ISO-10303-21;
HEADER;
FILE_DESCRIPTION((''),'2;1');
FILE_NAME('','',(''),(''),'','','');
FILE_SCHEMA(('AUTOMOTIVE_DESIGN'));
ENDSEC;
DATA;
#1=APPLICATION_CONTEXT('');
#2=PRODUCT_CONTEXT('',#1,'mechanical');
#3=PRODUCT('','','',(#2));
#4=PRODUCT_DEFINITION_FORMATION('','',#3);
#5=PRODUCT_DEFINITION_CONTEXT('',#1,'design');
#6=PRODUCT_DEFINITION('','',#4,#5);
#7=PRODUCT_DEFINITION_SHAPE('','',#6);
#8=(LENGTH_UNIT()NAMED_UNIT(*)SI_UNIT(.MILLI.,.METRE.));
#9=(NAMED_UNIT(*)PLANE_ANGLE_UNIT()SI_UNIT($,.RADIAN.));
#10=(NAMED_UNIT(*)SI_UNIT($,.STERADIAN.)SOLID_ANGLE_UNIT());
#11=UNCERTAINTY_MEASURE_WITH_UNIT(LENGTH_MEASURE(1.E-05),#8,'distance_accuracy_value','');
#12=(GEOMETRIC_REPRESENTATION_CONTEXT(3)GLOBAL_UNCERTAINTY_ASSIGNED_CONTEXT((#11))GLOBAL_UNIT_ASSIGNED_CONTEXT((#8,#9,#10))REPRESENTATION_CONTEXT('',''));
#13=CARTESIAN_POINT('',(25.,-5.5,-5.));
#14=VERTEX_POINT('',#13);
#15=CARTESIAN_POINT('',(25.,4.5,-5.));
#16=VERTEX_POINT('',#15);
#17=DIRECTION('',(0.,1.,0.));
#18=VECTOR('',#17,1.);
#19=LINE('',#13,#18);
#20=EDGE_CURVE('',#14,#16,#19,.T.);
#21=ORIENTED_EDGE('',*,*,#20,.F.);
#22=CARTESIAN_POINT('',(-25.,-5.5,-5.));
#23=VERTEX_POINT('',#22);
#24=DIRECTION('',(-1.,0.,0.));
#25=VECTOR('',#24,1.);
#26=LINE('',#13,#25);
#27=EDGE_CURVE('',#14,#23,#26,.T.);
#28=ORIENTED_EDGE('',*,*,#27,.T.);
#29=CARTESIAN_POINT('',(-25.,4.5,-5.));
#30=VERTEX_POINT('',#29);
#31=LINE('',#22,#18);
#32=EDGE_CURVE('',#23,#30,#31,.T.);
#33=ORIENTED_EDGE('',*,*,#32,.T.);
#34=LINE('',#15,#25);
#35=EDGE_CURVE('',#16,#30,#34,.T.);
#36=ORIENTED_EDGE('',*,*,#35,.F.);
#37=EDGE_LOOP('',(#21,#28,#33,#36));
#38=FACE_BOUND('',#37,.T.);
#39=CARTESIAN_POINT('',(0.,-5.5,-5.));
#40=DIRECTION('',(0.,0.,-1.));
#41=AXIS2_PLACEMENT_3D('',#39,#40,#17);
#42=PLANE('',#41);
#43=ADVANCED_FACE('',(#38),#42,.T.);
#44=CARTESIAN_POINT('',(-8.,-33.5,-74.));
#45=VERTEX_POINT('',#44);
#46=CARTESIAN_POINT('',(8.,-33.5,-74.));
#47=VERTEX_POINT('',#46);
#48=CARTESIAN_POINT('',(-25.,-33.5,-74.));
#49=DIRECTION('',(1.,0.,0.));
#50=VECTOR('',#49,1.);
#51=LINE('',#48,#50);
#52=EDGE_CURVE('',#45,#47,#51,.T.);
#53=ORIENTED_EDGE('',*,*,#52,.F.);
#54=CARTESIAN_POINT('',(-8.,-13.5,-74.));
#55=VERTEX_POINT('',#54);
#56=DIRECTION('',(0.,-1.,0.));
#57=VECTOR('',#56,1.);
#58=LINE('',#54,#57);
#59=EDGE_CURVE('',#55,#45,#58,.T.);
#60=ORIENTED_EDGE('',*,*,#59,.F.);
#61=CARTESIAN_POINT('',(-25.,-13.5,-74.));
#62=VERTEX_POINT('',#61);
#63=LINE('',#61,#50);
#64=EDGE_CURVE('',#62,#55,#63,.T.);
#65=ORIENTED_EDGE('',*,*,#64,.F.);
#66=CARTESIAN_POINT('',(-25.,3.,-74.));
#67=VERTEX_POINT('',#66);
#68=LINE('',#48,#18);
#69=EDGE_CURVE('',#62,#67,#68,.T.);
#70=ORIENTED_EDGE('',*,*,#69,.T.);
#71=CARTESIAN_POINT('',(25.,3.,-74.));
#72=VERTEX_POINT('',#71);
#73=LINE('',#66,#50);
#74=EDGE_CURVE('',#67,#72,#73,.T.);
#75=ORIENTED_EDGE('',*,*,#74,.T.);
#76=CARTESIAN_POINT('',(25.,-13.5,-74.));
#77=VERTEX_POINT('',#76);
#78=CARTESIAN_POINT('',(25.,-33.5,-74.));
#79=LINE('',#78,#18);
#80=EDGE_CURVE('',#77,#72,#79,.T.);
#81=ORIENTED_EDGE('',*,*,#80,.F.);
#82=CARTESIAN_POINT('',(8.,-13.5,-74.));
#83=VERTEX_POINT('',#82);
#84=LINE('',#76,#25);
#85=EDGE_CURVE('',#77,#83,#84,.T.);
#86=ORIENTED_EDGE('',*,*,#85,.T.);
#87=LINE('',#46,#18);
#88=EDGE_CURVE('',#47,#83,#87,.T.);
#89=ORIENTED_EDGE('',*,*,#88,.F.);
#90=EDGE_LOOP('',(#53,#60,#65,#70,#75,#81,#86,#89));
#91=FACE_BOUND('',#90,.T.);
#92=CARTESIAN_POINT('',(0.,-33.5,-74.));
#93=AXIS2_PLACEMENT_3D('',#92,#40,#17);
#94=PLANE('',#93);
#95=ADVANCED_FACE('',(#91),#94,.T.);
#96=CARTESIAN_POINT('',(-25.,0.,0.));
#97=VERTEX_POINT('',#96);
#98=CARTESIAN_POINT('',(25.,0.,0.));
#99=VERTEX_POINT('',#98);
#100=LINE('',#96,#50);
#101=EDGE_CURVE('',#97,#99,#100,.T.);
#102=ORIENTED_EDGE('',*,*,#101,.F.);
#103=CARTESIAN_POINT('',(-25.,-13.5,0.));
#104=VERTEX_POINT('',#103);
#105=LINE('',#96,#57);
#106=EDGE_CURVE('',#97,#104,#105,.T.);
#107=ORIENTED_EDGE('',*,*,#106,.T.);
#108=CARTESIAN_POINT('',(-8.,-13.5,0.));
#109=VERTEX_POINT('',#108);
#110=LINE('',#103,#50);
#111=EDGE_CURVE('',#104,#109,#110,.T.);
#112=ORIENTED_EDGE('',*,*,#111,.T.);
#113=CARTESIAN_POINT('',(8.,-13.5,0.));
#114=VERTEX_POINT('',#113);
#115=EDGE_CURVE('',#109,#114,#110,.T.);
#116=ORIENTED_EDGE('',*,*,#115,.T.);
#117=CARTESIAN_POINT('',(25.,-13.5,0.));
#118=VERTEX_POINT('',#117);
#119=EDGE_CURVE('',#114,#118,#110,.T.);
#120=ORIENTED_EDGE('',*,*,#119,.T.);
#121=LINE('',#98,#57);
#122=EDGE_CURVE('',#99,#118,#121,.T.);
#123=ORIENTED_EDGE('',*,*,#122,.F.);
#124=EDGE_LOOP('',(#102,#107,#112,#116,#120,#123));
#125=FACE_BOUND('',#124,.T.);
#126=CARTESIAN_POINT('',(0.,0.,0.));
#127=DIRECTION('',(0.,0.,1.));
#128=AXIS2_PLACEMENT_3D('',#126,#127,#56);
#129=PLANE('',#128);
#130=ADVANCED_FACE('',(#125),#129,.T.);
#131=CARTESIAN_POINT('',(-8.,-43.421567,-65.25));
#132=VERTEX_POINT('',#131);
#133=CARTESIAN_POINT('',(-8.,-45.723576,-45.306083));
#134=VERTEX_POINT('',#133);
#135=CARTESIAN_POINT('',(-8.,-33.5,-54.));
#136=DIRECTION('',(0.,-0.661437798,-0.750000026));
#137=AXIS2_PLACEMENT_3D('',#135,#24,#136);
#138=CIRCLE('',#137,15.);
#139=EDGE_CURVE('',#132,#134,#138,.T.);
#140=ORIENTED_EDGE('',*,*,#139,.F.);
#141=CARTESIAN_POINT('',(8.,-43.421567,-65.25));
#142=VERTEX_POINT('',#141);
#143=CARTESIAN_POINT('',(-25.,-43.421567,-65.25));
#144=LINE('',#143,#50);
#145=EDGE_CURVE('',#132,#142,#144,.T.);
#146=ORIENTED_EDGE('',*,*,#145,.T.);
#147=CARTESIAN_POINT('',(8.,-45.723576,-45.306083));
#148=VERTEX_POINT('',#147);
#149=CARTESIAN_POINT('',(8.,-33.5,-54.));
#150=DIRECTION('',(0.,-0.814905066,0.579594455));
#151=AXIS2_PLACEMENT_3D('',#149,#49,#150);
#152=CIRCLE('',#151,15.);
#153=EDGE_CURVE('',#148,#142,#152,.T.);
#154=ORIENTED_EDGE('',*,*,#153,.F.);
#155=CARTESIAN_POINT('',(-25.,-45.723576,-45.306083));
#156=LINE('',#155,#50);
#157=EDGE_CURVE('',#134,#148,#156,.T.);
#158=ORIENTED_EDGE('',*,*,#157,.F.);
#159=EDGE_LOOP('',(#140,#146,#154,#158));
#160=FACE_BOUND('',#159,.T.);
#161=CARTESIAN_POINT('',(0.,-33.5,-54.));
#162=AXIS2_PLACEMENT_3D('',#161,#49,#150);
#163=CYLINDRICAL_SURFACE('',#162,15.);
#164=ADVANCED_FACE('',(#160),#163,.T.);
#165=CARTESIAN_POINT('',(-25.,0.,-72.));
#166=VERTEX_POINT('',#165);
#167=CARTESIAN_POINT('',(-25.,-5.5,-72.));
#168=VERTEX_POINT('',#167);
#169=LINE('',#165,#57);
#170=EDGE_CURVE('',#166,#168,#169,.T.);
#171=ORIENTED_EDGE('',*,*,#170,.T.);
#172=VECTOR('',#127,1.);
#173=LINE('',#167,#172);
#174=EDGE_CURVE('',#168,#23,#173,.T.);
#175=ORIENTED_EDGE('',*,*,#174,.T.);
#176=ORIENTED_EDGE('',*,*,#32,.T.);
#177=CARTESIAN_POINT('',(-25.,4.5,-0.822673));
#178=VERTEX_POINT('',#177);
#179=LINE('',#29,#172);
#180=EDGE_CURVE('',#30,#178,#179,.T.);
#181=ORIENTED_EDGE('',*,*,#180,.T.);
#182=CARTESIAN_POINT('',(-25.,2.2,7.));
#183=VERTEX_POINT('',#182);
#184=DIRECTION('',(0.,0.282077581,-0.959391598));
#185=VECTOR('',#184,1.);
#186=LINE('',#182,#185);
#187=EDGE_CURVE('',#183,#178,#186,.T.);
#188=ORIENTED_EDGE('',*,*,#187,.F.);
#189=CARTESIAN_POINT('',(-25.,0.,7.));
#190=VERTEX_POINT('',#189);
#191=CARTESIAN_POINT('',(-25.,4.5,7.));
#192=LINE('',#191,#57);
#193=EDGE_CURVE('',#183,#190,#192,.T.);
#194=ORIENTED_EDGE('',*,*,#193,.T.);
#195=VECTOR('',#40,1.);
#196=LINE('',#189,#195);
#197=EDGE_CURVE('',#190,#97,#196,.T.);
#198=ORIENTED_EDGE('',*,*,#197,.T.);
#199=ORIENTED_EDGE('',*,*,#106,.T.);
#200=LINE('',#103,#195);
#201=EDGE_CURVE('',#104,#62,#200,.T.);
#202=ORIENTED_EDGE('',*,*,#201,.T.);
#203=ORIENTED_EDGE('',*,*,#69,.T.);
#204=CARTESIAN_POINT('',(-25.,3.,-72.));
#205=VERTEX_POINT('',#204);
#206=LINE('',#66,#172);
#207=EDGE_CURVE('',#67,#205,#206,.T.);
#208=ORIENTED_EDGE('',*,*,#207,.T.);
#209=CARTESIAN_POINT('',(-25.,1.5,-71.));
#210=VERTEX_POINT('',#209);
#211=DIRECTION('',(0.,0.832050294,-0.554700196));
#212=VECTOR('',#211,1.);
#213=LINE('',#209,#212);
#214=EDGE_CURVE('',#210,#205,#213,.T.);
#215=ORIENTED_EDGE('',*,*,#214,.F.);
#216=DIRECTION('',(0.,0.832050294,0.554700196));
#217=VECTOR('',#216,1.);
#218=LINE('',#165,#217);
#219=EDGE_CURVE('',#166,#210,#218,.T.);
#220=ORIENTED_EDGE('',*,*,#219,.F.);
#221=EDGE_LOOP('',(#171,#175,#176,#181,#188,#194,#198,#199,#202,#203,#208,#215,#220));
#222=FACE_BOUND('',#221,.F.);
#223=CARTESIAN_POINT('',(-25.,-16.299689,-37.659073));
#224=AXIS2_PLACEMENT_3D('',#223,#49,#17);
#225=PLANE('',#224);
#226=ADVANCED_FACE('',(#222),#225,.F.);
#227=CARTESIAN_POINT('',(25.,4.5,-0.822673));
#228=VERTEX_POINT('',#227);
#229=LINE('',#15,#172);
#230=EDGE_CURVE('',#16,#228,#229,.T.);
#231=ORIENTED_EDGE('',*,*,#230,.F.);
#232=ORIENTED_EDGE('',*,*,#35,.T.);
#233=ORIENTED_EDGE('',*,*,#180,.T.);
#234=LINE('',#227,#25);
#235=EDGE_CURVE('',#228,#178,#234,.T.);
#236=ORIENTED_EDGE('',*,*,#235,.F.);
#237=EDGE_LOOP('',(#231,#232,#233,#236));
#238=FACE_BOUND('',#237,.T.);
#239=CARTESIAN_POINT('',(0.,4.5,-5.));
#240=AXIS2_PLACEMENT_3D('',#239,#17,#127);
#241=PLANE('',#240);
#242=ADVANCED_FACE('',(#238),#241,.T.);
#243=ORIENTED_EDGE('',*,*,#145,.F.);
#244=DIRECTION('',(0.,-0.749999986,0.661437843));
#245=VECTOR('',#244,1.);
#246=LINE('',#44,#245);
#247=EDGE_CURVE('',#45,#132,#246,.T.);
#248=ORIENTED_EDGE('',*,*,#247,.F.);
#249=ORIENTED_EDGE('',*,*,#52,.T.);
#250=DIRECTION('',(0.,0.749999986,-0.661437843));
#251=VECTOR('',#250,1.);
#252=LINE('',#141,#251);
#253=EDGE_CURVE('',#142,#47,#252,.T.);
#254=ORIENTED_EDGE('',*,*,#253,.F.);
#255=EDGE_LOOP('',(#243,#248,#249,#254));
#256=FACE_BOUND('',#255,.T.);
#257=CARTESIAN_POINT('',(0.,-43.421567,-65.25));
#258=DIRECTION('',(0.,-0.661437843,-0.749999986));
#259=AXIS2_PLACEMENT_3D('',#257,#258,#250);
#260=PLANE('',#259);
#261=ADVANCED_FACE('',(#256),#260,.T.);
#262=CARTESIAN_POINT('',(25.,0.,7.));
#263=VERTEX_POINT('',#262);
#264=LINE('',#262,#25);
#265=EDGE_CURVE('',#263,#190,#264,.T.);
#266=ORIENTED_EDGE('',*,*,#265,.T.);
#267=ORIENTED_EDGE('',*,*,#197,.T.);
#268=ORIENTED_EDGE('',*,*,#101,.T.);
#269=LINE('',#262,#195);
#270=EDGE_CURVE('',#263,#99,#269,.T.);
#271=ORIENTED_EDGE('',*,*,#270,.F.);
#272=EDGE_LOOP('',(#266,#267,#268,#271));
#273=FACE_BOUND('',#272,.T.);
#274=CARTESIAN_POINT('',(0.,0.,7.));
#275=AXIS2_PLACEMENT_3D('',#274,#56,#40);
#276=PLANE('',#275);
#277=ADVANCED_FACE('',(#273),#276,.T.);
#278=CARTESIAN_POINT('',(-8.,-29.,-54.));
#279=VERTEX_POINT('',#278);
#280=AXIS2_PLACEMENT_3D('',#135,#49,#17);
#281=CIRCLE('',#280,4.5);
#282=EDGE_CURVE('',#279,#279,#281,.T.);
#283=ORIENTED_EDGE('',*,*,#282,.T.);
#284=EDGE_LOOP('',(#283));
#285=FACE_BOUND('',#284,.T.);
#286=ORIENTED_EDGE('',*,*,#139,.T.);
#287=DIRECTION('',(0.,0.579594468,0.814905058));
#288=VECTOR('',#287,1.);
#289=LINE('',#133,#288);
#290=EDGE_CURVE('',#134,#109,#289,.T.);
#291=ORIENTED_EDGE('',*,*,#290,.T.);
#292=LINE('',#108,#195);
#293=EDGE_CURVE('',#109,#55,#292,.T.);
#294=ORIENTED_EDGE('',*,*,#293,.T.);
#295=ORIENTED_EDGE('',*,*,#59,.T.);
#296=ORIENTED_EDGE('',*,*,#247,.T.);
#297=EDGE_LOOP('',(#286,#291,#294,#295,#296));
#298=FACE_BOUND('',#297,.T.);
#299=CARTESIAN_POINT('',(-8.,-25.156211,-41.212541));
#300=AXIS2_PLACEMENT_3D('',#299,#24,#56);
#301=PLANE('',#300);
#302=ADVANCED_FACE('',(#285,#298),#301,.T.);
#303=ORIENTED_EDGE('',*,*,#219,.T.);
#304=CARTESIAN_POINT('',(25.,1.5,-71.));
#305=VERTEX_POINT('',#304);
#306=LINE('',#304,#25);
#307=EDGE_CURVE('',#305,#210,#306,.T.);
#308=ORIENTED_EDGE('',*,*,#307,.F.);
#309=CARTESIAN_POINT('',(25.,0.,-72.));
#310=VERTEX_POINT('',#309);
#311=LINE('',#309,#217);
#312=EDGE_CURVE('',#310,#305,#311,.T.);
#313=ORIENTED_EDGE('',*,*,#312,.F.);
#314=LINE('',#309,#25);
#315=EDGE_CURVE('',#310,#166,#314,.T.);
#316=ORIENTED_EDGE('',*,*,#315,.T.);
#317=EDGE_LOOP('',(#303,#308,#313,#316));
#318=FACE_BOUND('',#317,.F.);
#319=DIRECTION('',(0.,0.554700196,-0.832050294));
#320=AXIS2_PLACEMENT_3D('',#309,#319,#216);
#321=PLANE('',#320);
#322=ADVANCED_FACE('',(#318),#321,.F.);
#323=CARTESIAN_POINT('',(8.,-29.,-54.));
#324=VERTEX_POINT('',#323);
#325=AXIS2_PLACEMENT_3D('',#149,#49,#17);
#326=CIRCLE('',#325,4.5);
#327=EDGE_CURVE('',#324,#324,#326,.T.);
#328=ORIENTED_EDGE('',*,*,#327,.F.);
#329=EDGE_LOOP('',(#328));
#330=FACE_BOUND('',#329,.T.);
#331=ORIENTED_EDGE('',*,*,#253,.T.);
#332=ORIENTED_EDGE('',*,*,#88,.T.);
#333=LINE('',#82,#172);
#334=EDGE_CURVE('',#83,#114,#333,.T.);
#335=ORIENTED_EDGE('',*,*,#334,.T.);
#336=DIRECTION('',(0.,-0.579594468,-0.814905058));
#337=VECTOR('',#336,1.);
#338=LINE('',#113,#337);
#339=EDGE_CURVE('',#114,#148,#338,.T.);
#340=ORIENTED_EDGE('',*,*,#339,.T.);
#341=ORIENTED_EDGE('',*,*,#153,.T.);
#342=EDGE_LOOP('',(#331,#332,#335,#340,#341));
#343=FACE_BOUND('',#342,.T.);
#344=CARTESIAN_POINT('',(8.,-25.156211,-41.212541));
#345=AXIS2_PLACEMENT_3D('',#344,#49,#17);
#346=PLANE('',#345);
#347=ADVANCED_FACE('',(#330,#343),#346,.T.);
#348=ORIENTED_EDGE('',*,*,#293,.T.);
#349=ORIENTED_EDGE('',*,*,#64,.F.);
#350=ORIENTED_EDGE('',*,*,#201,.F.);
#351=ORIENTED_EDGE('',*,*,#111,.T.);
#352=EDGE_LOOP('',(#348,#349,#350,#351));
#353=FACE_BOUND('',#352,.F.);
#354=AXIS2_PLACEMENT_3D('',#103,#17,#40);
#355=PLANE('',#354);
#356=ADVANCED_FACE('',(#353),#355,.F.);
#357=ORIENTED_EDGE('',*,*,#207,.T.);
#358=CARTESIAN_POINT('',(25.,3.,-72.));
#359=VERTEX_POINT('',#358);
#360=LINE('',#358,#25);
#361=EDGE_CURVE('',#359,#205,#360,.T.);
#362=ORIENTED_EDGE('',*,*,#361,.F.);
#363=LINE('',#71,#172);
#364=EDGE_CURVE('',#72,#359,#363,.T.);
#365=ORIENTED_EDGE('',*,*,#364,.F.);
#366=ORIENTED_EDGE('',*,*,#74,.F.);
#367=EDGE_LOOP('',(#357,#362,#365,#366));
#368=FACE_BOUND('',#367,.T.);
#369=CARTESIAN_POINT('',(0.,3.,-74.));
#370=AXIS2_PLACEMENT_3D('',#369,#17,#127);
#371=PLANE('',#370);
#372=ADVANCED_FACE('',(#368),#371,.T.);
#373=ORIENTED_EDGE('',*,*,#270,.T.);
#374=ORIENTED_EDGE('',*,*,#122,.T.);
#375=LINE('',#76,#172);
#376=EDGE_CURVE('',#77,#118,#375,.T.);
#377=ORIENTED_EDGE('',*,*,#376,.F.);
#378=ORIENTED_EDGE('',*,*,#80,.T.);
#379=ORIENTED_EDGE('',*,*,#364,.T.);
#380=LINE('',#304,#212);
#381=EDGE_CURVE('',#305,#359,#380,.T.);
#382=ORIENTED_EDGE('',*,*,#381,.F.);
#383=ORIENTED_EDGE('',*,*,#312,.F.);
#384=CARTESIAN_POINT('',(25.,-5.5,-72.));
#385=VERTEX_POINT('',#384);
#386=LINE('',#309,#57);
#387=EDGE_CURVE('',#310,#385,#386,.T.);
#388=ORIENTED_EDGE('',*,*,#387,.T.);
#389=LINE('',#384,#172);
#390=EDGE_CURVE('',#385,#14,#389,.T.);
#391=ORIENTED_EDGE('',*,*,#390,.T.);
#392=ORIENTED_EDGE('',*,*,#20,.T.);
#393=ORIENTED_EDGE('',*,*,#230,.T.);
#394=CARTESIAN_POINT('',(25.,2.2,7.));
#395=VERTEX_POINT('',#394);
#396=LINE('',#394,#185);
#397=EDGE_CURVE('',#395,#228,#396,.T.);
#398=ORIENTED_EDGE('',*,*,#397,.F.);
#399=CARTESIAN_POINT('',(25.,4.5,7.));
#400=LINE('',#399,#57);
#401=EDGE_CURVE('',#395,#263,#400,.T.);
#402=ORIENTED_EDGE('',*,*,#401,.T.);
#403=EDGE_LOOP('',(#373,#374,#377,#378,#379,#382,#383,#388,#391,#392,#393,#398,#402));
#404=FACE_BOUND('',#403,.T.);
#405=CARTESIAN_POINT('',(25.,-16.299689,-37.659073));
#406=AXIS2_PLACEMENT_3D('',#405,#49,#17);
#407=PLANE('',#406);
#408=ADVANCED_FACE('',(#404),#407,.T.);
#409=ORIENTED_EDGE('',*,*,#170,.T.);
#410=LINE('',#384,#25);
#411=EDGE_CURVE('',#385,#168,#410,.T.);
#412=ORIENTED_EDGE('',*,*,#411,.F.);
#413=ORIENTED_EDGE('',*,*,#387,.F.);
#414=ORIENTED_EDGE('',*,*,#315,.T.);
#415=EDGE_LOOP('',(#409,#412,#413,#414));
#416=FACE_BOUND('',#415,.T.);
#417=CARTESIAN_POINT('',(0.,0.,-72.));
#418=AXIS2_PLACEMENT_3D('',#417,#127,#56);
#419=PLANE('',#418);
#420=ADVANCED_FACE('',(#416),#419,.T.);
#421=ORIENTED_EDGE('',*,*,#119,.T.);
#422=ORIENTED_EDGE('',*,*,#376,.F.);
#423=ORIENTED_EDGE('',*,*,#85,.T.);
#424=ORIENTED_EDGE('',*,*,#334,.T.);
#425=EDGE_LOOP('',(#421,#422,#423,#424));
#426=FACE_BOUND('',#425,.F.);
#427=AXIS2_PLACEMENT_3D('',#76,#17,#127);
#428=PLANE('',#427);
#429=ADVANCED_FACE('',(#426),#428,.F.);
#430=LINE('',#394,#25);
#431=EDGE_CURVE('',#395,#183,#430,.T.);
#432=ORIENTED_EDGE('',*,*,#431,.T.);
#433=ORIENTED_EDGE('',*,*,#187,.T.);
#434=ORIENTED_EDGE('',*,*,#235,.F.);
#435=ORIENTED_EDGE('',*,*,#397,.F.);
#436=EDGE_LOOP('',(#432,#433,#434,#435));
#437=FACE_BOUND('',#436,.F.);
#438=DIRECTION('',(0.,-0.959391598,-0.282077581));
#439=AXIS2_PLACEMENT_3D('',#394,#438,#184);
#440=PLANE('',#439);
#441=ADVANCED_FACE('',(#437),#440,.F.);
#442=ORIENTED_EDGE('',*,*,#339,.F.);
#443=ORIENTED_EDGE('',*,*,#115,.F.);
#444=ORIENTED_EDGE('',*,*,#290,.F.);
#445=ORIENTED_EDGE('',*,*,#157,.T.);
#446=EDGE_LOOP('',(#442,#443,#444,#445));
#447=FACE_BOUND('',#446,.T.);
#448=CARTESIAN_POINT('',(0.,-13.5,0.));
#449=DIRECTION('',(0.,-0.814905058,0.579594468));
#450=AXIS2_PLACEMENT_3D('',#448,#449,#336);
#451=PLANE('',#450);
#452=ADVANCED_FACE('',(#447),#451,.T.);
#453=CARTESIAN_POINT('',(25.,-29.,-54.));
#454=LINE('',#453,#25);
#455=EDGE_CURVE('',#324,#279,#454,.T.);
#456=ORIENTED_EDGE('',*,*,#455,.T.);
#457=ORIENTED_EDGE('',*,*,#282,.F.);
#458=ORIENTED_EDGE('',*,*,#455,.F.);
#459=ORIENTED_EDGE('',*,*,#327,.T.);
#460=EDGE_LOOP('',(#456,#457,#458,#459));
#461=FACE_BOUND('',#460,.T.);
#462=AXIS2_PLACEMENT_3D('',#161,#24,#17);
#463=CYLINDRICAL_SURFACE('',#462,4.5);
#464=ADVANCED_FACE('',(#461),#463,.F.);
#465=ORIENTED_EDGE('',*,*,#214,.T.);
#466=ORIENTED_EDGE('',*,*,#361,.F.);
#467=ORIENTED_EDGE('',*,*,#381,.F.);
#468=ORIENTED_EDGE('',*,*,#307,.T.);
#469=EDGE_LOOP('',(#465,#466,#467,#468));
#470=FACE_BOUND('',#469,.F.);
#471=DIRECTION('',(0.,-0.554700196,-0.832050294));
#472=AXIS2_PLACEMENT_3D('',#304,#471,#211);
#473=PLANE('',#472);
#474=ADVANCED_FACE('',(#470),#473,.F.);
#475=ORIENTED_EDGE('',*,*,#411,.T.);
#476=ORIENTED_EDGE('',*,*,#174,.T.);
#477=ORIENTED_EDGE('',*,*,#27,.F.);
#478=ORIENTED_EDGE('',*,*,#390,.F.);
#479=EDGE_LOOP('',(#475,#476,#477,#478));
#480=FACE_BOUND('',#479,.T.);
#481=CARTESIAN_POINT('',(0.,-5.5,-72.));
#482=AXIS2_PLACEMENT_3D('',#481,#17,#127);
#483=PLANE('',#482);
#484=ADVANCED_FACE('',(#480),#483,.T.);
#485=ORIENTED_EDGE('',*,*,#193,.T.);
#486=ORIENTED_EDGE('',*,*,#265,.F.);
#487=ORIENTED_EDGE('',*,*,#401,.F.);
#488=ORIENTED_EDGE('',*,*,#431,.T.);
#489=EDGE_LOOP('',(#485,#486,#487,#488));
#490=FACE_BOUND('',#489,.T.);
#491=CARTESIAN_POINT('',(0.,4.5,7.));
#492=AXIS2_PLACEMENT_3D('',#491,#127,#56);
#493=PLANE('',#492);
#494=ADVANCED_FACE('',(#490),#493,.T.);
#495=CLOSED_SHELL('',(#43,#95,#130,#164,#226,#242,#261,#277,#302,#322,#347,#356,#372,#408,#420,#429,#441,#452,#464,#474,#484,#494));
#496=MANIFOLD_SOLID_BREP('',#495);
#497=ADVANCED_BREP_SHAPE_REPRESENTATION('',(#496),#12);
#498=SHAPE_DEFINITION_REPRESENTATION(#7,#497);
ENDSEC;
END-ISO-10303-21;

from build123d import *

# Parameters (mm, degrees)
F0_R     = 4.5
F1_DEPTH = 25
F3_DEPTH = 50
F5_DEPTH = 50
F6_R     = 4.5
F7_DEPTH = 17
F8_R     = 4.5
F9_DEPTH = 17


with BuildPart() as f1:
    # F0 (on Right) → F1 (new body, symmetric)
    with BuildSketch(Plane.YZ):
        with BuildLine():
            Line((0, 7), (0, 0))
            Line((0, 0), (-13.5, 0))
            Line((-13.5, 0), (-45.723576, -45.306083))
            ThreePointArc((-45.723576, -45.306083), (-48.401067, -55.719942), (-43.421567, -65.25))
            Line((-43.421567, -65.25), (-33.5, -74))
            Line((-33.5, -74), (-13.5, -74))
            Line((-13.5, -74), (3, -74))
            Line((3, -74), (3, -71))
            Line((3, -71), (0, -71))
            Line((0, -71), (0, -72))
            Line((0, -72), (-5.5, -72))
            Line((-5.5, -72), (-5.5, -5))
            Line((-5.5, -5), (4.5, -5))
            Line((4.5, -5), (4.5, 7))
            Line((4.5, 7), (0, 7))
        make_face()
        with Locations((-33.5, -54)):
            Circle(F0_R, mode=Mode.SUBTRACT)
    extrude(amount=F1_DEPTH, both=True)

    # F2 (on face) → F3 (cut, through all)
    with BuildSketch(Plane.YZ.offset(25)):
        Polygon((4.5, 7), (2.2, 7), (4.5, -0.822673), align=None)
    extrude(amount=-F3_DEPTH, mode=Mode.SUBTRACT)

    # F4 (on face) → F5 (cut, through all)
    with BuildSketch(Plane.YZ.offset(25)):
        Polygon((0, -71), (0, -72), (1.5, -71), align=None)
        Polygon((3, -71), (1.5, -71), (3, -72), align=None)
    extrude(amount=-F5_DEPTH, mode=Mode.SUBTRACT)

    # F6 (on face) → F7 (cut)
    with BuildSketch(Plane.YZ.offset(25)):
        with BuildLine():
            Line((-13.5, -74), (-13.5, 0))
            Line((-13.5, 0), (-45.723576, -45.306083))
            ThreePointArc((-45.723576, -45.306083), (-48.401067, -55.719942), (-43.421567, -65.25))
            Line((-43.421567, -65.25), (-33.5, -74))
            Line((-33.5, -74), (-13.5, -74))
        make_face()
        with Locations((-33.5, -54)):
            Circle(F6_R, mode=Mode.SUBTRACT)
    extrude(amount=-F7_DEPTH, mode=Mode.SUBTRACT)

    # F8 (on face) → F9 (cut)
    with BuildSketch(Plane(origin=(-25, 0, 0), x_dir=(0, -1, 0), z_dir=(-1, 0, 0))):
        with BuildLine():
            Line((45.723576, -45.306083), (13.5, 0))
            Line((13.5, 0), (13.5, -74))
            Line((13.5, -74), (33.5, -74))
            Line((33.5, -74), (43.421567, -65.25))
            ThreePointArc((43.421567, -65.25), (48.401067, -55.719942), (45.723576, -45.306083))
        make_face()
        with Locations((33.5, -54)):
            Circle(F8_R, mode=Mode.SUBTRACT)
    extrude(amount=-F9_DEPTH, mode=Mode.SUBTRACT)


solid = f1.part
